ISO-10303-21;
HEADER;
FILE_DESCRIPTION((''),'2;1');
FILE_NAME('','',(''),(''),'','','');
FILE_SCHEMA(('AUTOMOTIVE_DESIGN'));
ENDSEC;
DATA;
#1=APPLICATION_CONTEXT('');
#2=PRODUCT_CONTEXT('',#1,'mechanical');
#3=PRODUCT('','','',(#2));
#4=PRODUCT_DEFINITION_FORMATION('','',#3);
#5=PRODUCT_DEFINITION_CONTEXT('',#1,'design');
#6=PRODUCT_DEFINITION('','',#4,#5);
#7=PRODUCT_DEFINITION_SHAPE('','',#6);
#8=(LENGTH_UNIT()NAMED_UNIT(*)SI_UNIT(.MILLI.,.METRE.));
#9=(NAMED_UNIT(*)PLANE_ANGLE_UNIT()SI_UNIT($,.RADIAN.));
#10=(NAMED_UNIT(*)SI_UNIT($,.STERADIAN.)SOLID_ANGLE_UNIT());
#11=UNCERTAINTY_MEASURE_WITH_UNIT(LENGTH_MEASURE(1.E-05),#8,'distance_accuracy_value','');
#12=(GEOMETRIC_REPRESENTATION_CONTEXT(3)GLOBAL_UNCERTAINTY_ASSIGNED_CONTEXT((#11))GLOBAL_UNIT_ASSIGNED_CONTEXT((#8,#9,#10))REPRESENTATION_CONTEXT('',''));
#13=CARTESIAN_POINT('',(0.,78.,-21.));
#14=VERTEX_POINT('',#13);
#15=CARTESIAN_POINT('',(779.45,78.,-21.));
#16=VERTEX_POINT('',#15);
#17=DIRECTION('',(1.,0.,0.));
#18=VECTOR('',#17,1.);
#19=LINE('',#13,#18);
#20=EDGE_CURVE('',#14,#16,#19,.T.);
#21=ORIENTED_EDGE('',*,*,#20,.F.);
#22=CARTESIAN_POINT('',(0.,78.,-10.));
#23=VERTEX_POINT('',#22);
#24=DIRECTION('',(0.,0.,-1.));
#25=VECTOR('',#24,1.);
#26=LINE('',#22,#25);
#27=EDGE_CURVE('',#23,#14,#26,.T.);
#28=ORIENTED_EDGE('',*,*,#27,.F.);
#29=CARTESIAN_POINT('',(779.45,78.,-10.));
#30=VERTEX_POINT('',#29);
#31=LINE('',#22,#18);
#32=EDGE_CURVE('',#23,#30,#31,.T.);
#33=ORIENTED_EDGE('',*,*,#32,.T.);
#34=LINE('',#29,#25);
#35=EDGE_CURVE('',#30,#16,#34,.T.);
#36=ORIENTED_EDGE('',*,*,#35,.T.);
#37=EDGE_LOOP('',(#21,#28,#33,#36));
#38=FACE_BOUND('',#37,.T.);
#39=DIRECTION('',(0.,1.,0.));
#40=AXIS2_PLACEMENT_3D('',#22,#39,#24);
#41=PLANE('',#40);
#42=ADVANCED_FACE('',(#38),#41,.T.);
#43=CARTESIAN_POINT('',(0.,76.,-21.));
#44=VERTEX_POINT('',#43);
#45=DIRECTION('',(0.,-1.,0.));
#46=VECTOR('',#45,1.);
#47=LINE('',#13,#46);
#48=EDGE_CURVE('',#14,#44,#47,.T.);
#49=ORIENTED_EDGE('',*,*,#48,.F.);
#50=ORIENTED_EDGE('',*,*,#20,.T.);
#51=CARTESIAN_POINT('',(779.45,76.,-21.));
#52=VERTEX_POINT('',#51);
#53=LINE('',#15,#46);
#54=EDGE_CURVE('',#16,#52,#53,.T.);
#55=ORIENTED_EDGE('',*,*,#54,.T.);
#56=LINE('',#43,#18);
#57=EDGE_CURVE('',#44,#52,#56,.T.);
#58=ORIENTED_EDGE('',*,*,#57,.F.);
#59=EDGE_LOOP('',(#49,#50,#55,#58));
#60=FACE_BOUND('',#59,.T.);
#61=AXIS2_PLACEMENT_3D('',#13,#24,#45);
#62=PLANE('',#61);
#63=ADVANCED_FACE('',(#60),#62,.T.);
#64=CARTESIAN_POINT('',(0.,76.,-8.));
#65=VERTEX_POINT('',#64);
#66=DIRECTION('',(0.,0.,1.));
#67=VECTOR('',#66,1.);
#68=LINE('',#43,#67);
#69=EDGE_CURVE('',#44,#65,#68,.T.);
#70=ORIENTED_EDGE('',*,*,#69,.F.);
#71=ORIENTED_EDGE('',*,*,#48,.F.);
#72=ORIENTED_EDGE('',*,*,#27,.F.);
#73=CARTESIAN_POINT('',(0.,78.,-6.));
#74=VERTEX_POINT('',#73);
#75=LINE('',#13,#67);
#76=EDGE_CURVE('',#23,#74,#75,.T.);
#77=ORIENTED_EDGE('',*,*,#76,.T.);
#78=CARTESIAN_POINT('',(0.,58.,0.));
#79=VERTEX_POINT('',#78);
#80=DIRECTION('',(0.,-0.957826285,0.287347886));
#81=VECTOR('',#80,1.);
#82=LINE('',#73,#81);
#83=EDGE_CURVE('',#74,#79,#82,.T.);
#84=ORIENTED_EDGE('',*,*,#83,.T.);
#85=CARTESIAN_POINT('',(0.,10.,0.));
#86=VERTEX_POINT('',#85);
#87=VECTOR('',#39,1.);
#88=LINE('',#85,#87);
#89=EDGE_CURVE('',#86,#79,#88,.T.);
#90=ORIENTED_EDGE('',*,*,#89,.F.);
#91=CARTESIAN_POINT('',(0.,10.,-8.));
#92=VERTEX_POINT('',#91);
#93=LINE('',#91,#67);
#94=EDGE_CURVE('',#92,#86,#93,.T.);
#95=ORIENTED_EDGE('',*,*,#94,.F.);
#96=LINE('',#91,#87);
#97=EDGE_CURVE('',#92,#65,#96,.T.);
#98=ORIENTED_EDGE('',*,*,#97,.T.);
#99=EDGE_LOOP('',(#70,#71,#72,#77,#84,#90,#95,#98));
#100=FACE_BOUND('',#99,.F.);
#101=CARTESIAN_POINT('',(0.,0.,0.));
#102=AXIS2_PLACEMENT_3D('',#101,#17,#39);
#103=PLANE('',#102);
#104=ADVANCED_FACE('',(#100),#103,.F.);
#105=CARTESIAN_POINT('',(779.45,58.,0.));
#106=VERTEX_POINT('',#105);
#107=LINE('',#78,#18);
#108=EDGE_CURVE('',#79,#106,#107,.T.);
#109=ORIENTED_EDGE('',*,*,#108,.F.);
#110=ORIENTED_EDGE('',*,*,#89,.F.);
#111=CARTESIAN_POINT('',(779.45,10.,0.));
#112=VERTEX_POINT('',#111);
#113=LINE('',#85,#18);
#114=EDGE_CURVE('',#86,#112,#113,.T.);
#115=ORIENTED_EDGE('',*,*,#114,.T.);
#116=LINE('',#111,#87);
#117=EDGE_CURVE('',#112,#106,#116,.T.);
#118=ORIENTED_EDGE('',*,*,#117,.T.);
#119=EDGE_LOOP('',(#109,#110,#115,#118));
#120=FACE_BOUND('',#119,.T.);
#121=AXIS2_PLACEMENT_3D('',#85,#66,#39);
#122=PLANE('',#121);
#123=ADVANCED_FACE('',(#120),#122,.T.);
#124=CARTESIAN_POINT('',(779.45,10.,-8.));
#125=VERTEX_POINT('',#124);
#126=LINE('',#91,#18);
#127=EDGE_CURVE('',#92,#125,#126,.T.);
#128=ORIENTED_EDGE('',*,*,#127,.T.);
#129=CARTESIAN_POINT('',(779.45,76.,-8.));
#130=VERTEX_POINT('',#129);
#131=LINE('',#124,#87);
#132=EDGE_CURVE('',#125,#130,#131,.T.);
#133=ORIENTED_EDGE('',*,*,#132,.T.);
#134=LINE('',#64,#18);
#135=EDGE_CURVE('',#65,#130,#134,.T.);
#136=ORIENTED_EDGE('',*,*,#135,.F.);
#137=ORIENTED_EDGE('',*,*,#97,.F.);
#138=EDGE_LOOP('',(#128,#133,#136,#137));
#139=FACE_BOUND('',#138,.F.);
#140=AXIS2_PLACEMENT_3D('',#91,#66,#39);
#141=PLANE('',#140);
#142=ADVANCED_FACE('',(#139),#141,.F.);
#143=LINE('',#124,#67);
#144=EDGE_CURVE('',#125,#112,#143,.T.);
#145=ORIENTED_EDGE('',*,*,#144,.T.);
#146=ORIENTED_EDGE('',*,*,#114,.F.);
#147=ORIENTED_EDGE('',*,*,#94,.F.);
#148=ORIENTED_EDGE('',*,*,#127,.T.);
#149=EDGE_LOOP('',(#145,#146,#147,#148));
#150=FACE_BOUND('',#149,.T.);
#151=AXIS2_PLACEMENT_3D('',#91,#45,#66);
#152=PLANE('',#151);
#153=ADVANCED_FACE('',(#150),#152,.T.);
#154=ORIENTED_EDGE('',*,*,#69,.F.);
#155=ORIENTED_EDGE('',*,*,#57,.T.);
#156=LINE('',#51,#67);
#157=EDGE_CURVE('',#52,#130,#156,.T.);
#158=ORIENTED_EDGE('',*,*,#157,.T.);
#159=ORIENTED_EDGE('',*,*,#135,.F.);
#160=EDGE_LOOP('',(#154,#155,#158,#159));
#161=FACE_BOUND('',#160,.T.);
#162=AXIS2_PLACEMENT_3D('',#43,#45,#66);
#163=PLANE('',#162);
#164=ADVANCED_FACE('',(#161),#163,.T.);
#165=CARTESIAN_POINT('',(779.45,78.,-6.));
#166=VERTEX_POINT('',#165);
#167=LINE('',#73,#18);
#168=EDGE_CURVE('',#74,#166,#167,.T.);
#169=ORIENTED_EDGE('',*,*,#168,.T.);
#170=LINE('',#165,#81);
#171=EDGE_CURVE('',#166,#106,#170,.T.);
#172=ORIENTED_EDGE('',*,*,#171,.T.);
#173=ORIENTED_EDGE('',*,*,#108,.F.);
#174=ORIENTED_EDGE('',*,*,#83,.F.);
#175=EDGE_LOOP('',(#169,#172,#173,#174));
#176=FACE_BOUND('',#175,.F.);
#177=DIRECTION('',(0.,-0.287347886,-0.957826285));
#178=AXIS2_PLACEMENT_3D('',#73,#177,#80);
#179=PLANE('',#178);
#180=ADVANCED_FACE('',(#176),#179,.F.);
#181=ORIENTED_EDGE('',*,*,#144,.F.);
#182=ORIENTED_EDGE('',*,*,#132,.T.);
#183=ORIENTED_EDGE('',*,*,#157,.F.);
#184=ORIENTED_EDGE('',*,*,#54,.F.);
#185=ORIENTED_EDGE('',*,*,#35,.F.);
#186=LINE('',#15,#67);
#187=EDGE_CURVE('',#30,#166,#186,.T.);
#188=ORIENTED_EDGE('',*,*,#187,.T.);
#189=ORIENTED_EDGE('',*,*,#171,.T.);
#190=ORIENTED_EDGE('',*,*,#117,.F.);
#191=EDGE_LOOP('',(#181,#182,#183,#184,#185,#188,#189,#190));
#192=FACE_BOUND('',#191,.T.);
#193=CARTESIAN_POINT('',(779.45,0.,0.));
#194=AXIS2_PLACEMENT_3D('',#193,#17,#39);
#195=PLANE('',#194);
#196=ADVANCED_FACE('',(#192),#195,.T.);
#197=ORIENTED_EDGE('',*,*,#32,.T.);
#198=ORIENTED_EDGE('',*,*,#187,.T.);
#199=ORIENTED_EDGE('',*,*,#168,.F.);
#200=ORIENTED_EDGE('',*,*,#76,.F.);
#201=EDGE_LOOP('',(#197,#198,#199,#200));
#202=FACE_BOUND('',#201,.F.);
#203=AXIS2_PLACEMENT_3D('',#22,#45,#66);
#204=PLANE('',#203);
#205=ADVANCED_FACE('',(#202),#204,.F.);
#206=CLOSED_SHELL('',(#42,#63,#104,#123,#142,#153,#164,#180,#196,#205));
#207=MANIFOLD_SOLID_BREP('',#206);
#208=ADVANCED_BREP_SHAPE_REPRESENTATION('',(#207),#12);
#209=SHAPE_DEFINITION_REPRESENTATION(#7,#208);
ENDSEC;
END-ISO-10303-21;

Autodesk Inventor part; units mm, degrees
ref_plane "YZ Plane" through (0, 0, 0) normal (1, 0, 0) x (0, 1, 0)
ref_plane "XZ Plane" through (0, 0, 0) normal (0, 1, 0) x (-1, 0, 0)
ref_plane "XY Plane" through (0, 0, 0) normal (0, 0, 1) x (1, 0, 0)
sketch "Sketch1" plane through (0, 0, 0) normal (1, 0, 0) x (0, 1, 0)
  line L0 (10, 0) -> (58, 0)
  line L1 (78, -10) -> (78, -21)
  line L2 (78, -21) -> (78, -10)
  line L3 (78, -21) -> (78, -10)
  line L4 (78, -10) -> (78, -21)
  line L5 (58, 0) -> (10, 0)
  line L6 (58, 0) -> (10, 0)
  line L7 (78, -21) -> (78, -6)
  line L8 (78, -6) -> (58, 0)
  line L9 (78, -21) -> (76, -21)
  line L10 (76, -21) -> (76, -8)
  line L11 (10, -8) -> (76, -8)
  line L12 (10, -8) -> (10, 0)
  point P0 (0, 0)
  dimension "d6" = 15
  dimension "d9" = 2
extrude "Extrusion1" add sketch "Sketch1" along normal blind 779.45
properties part number "Blackside" material "Steel"
